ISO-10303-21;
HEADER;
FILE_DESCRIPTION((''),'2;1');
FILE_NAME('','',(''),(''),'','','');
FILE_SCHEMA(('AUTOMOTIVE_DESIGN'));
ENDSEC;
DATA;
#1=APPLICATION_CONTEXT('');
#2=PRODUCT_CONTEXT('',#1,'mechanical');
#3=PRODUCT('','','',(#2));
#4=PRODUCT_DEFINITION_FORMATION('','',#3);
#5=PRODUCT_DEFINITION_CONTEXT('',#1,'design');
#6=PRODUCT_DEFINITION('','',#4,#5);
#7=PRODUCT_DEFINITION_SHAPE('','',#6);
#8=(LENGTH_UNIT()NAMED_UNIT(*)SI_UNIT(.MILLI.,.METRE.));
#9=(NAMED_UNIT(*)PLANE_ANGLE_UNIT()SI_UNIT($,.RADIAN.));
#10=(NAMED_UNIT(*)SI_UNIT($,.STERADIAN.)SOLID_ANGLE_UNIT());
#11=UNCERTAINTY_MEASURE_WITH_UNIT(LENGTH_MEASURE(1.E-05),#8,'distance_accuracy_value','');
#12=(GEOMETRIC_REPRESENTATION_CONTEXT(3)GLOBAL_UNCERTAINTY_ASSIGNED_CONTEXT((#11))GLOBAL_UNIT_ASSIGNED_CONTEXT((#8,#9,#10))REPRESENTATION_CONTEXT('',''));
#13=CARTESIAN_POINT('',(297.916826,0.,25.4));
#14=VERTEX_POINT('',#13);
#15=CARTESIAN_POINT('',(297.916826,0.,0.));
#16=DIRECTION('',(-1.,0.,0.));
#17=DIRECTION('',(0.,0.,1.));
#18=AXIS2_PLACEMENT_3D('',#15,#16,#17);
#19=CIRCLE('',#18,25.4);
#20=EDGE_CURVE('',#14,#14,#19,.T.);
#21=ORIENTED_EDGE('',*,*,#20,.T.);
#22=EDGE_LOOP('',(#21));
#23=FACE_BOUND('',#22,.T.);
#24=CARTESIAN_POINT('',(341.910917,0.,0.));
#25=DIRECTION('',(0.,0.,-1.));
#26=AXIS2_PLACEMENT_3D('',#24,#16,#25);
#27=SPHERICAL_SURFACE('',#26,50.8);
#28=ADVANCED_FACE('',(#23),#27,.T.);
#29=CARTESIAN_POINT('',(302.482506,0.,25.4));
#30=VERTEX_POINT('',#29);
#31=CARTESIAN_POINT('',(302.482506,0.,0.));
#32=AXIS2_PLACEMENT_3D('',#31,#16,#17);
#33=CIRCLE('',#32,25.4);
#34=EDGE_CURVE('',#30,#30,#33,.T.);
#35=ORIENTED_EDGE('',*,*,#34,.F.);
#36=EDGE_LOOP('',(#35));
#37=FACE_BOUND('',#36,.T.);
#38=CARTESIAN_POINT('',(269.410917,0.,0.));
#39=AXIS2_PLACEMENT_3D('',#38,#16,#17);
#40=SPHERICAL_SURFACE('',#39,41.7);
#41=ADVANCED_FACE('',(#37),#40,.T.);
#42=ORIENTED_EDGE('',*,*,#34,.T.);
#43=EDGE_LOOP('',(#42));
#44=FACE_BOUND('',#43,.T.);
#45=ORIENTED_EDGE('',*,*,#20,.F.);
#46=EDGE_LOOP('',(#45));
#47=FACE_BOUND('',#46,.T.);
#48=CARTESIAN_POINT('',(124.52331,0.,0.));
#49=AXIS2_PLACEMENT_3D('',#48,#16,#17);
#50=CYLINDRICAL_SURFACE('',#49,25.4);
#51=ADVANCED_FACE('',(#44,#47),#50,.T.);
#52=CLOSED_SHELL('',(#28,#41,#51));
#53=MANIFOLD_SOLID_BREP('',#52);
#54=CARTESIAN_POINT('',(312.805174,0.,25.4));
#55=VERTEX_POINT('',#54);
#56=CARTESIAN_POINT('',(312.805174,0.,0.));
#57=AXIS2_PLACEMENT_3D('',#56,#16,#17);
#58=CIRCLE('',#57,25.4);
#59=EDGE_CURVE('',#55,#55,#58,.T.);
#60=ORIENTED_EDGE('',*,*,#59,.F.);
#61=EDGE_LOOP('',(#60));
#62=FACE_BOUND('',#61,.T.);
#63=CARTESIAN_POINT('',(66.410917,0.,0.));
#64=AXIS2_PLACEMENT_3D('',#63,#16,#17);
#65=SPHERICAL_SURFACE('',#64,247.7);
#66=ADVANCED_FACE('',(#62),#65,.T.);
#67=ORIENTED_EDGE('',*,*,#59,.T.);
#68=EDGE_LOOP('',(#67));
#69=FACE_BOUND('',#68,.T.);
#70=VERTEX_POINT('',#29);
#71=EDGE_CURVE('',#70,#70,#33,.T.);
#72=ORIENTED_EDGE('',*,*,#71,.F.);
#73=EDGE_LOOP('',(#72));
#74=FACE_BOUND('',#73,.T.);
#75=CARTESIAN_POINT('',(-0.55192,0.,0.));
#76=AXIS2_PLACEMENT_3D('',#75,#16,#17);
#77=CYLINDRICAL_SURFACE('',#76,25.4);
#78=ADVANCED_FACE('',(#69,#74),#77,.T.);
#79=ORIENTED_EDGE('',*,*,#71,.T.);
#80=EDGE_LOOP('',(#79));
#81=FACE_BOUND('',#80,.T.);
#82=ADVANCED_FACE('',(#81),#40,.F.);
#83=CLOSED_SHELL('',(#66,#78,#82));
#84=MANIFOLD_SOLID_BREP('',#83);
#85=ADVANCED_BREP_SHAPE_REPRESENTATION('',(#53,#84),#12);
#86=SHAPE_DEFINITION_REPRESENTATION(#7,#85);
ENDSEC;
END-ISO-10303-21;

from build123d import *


with BuildPart() as part:
    # 草图1 one side → 旋转1 (revolve)
    with BuildSketch(Plane(origin=(0, 0, 0), x_dir=(1, 0, 0), z_dir=(0, 1, 0)), mode=Mode.PRIVATE) as revolve_1_sk:
        with BuildLine():
            ThreePointArc((297.916826095, 25.4), (292.841884632, 13.148007491), (291.110916607, 0))
            Line((291.110916607, 0), (311.110916607, 0))
            ThreePointArc((311.110916607, 0), (308.894934019, 13.41276888), (302.482505623, 25.4))
            Line((302.482505623, 25.4), (297.916826095, 25.4))
        make_face()
    revolve(revolve_1_sk.sketch.rotate(Axis((124.523309526, 0, 0), (1, 0, 0)), 180), axis=Axis((124.523309526, 0, 0), (1, 0, 0)))  # turned: the seam where the file's is


with BuildPart() as body_2:
    # 草图2 one side → 旋转3 (revolve)
    with BuildSketch(Plane(origin=(0, 0, 0), x_dir=(1, 0, 0), z_dir=(0, 1, 0)), mode=Mode.PRIVATE) as revolve_3_sk:
        with BuildLine():
            Line((312.805173846, 25.4), (302.482505623, 25.4))
            ThreePointArc((302.482505623, 25.4), (308.894934019, 13.41276888), (311.110916607, 0))
            Line((311.110916607, 0), (314.110916607, 0))
            ThreePointArc((314.110916607, 0), (313.784265533, 12.716770071), (312.805173846, 25.4))
        make_face()
    revolve(revolve_3_sk.sketch.rotate(Axis((-0.551919993, 0, 0), (1, 0, 0)), 180), axis=Axis((-0.551919993, 0, 0), (1, 0, 0)))  # turned: the seam where the file's is


solid = Compound([part.part, body_2.part])
